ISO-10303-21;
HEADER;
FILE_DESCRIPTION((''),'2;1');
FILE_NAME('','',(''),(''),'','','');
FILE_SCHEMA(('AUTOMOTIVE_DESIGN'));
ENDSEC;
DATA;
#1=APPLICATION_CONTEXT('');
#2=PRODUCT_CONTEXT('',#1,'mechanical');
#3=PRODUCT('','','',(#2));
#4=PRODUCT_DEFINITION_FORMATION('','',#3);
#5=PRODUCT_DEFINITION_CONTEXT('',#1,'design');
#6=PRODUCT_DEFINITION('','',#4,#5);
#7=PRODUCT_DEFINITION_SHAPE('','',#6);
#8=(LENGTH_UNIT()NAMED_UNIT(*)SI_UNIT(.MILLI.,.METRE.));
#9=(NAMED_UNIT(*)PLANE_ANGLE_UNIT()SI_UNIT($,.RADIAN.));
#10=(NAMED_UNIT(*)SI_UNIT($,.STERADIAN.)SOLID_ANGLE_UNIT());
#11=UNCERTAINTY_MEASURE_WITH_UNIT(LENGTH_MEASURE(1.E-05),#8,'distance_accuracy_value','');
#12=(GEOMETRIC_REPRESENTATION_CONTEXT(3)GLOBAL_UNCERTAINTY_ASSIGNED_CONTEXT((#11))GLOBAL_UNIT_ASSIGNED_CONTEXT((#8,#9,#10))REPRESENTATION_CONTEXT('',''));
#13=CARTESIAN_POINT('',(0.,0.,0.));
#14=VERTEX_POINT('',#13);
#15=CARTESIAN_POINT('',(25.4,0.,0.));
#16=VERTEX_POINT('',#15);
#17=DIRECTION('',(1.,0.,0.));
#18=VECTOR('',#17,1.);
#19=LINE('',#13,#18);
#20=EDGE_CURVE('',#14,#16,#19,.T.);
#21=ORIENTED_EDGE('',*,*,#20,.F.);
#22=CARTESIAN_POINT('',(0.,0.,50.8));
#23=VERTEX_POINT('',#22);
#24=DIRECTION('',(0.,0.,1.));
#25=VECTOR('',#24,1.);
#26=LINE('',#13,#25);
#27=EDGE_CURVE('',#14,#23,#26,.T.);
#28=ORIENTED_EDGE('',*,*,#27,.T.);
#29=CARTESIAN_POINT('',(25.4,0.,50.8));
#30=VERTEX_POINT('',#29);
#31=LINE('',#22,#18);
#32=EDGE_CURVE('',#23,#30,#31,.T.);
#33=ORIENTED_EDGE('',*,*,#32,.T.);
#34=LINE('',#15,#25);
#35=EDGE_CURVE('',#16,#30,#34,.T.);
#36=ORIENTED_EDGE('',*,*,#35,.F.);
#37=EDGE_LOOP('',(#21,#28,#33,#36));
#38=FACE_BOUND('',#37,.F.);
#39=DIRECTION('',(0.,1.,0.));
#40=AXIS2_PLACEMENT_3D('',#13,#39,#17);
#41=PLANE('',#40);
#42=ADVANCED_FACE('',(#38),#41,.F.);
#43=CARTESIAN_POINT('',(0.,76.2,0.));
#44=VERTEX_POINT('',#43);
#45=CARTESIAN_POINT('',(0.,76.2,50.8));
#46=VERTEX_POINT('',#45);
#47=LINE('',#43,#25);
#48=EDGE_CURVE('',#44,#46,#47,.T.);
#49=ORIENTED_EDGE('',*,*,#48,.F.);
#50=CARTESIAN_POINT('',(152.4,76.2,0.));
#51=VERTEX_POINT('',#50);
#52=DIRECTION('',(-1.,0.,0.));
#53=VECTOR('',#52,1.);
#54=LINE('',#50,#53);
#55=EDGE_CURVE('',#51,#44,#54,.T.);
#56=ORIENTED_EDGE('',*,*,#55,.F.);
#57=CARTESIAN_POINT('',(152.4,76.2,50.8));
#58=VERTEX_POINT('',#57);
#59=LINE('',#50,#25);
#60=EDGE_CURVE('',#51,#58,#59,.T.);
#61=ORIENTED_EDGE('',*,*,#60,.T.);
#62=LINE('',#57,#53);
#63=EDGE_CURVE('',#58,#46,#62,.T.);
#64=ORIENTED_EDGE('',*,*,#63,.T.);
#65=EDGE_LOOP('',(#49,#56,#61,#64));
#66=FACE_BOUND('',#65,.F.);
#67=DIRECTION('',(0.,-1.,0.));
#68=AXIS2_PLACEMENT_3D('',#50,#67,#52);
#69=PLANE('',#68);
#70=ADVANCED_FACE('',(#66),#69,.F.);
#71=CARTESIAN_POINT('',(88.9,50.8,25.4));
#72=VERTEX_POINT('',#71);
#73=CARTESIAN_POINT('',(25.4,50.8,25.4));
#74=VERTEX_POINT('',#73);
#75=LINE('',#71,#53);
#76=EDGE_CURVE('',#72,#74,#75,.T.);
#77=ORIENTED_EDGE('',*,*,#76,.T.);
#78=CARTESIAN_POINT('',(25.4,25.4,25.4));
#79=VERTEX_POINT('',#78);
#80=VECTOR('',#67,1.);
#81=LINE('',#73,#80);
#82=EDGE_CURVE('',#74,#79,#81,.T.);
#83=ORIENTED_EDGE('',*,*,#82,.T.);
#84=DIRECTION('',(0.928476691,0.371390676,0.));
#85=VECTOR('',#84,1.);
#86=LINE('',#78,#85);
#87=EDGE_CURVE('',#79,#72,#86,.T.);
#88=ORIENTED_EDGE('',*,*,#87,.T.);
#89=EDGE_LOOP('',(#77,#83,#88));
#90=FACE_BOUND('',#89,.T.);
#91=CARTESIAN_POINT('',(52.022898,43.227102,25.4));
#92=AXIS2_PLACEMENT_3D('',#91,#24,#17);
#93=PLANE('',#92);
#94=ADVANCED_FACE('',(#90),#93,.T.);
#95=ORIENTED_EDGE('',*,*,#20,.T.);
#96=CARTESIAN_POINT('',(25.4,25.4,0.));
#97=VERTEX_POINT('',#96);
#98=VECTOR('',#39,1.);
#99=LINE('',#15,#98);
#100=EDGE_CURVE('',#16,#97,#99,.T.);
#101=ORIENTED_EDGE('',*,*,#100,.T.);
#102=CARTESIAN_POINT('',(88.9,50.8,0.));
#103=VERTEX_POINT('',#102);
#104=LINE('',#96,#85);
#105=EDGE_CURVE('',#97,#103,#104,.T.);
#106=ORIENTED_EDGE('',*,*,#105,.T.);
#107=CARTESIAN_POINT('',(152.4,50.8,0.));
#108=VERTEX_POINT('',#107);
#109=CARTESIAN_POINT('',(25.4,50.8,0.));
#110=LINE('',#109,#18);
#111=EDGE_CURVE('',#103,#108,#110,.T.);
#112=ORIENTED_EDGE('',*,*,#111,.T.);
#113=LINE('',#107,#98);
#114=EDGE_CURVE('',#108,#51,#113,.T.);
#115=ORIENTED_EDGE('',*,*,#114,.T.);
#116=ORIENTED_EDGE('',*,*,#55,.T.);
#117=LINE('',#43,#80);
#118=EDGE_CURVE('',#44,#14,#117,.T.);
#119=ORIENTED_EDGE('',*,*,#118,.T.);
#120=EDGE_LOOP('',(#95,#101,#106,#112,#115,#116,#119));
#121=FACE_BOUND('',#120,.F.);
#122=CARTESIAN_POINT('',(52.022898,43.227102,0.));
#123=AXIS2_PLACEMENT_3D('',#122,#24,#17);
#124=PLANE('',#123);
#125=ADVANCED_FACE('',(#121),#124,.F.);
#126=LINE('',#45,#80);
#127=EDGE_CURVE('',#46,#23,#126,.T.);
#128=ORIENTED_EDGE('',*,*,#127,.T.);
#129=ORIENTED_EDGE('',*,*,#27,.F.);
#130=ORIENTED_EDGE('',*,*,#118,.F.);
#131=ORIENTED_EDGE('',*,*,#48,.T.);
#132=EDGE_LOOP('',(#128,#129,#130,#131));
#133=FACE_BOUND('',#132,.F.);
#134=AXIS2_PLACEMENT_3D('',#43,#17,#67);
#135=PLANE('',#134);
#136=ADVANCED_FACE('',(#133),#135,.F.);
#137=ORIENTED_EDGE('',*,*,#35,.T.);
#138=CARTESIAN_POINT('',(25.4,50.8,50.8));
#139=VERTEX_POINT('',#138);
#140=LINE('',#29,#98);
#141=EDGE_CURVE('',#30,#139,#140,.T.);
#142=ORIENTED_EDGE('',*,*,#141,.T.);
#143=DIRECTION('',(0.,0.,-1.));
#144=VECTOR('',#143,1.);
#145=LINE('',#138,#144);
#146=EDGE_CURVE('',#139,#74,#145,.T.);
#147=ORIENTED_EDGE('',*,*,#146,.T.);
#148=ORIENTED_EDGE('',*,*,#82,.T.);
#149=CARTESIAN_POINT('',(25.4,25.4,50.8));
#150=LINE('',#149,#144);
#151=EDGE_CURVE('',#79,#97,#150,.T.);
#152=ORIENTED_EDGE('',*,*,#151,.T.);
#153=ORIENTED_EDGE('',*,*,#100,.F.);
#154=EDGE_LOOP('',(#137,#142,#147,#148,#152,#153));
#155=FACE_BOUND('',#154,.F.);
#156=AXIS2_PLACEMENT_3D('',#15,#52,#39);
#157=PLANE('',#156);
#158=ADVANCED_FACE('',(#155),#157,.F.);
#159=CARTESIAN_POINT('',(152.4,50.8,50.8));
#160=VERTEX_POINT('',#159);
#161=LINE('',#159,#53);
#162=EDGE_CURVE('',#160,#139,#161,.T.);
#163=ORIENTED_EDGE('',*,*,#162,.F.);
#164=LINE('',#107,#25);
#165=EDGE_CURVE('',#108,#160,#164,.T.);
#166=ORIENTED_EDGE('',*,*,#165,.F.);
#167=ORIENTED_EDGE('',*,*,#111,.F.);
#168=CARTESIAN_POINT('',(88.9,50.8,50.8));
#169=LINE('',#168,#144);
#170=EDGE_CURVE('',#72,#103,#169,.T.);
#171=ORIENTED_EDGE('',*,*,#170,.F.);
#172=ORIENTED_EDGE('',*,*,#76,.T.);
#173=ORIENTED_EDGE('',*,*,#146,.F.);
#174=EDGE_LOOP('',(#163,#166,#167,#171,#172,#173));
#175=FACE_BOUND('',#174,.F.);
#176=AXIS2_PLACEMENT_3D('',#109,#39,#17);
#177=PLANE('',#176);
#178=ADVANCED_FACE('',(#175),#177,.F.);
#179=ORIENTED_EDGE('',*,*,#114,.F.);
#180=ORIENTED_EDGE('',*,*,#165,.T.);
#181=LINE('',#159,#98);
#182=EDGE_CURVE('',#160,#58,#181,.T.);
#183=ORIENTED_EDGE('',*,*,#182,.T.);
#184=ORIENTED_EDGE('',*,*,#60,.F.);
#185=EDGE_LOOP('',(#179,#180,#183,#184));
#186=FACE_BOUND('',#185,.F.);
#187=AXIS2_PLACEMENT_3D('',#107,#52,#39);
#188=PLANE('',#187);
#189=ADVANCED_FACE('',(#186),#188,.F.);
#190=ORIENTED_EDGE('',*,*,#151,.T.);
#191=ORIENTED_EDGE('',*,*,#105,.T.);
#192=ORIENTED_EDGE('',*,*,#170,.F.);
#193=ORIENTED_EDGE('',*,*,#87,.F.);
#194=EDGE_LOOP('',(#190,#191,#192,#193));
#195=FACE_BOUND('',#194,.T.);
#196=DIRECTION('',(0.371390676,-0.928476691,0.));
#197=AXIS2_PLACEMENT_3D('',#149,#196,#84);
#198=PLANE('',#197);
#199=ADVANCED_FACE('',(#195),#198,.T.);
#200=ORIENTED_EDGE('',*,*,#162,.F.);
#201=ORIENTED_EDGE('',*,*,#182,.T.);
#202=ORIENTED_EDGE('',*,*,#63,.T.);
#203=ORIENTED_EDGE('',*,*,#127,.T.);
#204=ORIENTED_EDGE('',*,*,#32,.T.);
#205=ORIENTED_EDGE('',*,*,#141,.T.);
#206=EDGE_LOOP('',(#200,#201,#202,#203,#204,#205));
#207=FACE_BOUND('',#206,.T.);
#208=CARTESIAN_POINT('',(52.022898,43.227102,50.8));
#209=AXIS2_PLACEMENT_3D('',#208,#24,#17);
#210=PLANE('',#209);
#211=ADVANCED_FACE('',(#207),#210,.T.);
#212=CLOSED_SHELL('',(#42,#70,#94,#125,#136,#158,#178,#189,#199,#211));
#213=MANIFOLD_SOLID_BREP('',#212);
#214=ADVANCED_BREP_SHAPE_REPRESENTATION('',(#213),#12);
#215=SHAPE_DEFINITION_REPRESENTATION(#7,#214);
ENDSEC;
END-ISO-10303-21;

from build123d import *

# Parameters (mm, degrees)
F1_DEPTH = 50.8
F3_DEPTH = 50.8
F5_DEPTH = 25.4


with BuildPart() as f1:
    # F0 (on Top) → F1 (new body)
    with BuildSketch(Plane.XY):
        Polygon((0, 76.2), (0, 0), (25.4, 0), (25.4, 50.8), (152.4, 50.8), (152.4, 76.2), align=None)
    extrude(amount=F1_DEPTH)

    # F2 (on face) → F3 (join)
    with BuildSketch(Plane.XY.offset(50.8)):
        Polygon((25.4, 50.8), (25.4, 25.4), (88.9, 50.8), align=None)
    extrude(amount=-F3_DEPTH)

    # F4 (on face) → F5 (cut)
    with BuildSketch(Plane.XY.offset(50.8)):
        Polygon((25.4, 25.4), (88.9, 50.8), (25.4, 50.8), align=None)
    extrude(amount=-F5_DEPTH, mode=Mode.SUBTRACT)


solid = f1.part
